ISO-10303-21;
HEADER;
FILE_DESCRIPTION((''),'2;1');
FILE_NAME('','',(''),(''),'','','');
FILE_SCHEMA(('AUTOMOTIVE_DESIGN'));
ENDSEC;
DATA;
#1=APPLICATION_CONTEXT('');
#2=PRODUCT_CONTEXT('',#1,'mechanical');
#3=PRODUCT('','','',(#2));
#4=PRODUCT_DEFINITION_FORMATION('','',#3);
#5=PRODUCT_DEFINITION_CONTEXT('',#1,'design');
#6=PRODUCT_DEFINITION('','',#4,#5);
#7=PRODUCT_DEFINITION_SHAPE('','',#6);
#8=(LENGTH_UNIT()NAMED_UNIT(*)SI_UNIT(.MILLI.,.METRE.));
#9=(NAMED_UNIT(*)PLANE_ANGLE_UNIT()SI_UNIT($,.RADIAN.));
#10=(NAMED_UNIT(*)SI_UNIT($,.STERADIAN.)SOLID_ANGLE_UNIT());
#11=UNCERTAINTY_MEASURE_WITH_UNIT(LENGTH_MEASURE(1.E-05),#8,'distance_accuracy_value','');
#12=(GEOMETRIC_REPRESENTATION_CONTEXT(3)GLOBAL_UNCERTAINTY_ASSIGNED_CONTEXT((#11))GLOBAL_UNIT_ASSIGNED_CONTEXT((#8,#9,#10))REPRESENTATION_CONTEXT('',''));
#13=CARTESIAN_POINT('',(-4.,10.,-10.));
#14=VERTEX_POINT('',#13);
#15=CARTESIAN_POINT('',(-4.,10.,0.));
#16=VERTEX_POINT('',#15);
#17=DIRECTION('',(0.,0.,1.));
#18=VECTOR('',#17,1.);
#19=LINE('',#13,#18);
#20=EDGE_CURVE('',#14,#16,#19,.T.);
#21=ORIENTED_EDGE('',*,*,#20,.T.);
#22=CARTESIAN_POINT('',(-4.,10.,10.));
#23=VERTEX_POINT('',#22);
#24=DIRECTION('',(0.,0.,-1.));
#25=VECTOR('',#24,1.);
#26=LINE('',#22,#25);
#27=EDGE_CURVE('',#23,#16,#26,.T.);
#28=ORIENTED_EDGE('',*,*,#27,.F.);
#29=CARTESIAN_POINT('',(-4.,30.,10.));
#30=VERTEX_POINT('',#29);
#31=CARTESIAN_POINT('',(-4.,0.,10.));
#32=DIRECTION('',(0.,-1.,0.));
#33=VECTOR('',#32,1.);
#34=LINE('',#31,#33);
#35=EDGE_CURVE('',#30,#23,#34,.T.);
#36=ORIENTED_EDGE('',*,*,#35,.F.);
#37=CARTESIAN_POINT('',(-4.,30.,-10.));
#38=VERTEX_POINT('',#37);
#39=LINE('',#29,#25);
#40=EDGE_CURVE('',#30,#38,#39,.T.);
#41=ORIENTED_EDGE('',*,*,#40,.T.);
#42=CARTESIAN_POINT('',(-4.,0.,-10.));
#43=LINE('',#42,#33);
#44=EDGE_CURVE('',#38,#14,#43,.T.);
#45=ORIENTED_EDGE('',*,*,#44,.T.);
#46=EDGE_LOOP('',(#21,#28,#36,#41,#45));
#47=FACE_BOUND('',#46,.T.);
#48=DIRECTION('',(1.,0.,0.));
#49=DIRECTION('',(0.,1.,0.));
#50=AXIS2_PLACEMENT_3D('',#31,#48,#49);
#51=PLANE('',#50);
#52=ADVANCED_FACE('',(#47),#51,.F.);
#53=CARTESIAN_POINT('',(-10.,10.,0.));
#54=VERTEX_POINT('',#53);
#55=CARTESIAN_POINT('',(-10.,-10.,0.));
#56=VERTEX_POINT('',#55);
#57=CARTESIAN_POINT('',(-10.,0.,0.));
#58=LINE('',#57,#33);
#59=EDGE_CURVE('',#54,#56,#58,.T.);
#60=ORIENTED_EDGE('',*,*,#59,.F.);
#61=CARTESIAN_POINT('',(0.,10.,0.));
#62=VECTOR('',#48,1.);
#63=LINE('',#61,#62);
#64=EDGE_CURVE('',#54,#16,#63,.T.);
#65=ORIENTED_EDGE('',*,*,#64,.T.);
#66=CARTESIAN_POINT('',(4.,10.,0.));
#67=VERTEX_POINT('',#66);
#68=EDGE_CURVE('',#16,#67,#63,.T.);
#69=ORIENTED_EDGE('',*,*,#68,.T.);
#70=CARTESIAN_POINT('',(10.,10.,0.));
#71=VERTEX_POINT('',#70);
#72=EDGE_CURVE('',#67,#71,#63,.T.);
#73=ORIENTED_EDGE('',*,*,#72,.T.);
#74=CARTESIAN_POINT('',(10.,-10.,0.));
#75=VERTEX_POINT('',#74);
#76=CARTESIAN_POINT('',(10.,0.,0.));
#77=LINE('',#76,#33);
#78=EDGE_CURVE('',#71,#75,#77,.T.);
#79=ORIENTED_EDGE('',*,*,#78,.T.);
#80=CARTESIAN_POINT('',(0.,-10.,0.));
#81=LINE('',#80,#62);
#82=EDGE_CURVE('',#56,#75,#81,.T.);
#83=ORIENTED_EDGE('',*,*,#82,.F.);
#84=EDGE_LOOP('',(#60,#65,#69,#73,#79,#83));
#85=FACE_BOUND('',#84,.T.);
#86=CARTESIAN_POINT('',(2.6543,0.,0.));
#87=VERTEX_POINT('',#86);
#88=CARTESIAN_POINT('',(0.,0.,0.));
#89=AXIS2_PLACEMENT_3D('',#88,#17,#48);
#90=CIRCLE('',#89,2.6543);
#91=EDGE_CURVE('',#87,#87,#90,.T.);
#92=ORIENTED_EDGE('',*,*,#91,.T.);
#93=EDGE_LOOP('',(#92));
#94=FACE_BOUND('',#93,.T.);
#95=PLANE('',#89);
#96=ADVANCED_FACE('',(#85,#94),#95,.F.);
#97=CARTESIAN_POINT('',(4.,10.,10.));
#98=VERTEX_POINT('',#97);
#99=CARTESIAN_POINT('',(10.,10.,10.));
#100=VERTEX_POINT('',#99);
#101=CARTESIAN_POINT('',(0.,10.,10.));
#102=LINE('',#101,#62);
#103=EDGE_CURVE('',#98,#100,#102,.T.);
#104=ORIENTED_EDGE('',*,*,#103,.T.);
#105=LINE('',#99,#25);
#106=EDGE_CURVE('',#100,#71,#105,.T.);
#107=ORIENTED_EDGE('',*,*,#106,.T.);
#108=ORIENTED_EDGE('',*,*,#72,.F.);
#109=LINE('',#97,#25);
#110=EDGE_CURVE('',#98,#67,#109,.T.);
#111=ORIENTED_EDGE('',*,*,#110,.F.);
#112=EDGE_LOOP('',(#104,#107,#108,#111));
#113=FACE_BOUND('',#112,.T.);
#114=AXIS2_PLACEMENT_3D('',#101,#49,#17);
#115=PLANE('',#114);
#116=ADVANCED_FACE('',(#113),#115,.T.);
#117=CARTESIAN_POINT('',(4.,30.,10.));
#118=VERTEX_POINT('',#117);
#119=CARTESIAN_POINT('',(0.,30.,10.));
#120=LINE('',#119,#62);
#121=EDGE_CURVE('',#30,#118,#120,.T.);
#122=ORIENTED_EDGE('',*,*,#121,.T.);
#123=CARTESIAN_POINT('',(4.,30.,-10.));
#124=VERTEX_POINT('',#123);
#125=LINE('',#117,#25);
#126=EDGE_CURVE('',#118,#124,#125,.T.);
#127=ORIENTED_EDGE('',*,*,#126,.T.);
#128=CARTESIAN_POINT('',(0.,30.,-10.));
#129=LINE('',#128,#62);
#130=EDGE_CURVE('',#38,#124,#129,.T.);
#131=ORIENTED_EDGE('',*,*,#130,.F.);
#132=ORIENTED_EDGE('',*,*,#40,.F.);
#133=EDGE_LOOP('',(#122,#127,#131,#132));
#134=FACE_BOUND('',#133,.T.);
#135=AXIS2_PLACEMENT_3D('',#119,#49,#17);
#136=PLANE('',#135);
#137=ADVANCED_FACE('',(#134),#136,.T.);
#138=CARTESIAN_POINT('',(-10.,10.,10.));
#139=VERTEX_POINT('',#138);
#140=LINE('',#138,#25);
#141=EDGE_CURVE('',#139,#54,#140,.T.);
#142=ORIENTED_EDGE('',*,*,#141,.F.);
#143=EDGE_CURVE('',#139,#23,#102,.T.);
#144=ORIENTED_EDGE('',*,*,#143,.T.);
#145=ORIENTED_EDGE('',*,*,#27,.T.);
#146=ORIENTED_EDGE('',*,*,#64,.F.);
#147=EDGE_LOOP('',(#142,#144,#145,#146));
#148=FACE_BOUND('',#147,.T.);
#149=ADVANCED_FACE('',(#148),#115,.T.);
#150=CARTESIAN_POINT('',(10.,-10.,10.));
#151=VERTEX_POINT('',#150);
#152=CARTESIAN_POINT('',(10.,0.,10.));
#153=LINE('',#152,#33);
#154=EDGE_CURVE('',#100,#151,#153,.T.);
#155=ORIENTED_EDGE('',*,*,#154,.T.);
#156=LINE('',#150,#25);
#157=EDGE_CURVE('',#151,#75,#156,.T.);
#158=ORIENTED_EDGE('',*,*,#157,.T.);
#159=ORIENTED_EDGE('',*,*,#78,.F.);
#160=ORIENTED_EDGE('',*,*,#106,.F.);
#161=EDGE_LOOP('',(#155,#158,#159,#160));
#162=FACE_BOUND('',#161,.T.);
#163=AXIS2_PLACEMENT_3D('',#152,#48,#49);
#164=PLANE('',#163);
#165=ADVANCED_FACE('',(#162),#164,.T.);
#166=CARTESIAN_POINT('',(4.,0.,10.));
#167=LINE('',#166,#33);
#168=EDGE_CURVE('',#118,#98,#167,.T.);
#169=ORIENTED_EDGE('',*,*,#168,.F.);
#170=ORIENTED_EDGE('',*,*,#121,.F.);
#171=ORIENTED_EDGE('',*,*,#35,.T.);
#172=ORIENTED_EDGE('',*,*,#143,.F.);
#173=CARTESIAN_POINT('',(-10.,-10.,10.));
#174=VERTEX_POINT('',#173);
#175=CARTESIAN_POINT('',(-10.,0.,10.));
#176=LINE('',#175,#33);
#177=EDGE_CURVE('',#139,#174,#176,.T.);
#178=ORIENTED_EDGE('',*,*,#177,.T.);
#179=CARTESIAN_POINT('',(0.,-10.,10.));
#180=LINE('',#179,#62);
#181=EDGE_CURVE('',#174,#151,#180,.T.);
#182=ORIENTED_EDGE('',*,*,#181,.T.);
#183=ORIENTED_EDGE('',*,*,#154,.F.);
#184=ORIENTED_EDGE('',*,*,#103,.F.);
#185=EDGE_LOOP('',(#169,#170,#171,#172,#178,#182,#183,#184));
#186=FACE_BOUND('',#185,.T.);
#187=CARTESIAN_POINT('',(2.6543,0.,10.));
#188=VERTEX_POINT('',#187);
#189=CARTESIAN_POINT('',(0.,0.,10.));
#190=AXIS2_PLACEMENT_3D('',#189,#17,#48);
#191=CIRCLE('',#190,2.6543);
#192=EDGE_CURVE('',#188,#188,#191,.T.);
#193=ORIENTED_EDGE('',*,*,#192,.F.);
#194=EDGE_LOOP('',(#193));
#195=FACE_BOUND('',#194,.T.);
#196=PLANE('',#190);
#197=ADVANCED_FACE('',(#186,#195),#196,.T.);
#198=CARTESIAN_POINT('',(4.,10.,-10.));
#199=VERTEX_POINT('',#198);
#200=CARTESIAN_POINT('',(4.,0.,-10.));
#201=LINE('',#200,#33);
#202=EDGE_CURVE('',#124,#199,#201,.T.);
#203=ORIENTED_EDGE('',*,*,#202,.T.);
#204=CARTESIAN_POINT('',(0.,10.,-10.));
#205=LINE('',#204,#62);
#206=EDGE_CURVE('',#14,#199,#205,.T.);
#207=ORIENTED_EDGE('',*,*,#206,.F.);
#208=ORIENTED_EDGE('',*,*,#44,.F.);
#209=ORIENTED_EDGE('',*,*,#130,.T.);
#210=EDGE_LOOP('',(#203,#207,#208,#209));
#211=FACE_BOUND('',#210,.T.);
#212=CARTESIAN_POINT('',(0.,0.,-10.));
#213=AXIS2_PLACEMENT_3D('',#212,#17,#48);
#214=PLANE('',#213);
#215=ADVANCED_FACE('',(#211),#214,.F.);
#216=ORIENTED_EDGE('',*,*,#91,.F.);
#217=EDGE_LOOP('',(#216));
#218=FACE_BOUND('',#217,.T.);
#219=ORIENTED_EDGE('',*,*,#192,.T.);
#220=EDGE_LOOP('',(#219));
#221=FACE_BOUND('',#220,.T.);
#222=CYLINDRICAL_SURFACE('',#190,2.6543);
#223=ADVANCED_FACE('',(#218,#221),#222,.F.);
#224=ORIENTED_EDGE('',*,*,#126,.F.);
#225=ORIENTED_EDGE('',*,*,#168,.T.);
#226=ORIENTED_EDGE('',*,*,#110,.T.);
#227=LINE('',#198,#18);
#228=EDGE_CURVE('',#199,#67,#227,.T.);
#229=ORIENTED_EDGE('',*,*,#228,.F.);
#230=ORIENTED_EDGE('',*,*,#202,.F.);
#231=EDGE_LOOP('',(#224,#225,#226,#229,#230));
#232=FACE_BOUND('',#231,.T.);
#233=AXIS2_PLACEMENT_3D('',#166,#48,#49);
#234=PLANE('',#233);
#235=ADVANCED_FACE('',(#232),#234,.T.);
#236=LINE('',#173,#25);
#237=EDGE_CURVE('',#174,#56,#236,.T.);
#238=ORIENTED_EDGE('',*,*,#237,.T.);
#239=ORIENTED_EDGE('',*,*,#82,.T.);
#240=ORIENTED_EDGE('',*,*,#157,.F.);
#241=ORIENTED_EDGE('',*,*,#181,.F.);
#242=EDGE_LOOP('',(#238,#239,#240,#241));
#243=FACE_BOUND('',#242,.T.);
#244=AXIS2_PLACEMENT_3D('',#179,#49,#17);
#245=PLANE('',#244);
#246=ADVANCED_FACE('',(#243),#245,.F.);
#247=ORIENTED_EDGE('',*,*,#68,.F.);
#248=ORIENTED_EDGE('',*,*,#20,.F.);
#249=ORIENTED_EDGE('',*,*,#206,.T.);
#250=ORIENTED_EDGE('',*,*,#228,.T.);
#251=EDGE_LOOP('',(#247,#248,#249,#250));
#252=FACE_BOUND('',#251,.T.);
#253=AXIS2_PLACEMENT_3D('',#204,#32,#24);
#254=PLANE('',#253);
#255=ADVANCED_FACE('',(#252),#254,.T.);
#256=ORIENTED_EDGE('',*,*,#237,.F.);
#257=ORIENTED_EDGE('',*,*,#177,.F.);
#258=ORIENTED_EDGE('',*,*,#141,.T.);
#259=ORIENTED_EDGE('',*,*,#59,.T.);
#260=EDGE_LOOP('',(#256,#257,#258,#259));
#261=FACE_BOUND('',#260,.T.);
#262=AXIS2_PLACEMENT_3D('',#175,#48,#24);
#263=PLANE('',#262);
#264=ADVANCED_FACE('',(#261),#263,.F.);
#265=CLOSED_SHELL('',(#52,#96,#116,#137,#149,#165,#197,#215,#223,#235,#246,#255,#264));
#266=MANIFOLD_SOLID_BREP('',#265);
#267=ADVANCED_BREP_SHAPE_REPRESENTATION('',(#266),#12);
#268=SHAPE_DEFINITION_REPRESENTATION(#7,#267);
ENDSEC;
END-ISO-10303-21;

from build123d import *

# Parameters (mm, degrees)
BOSS_EXTRUDE1_DEPTH        = 10
F_4_0_209_DIAMETER_HOLE1_D = 5.3086
SKETCH1_3_W                = 8
SKETCH1_3_H                = 20
BOSS_EXTRUDE2_DEPTH        = 10


with BuildPart() as part:
    # Sketch1 → Boss-Extrude1 (new body)
    with BuildSketch(Plane.XY):
        Polygon((-4, 10), (-10, 10), (-10, -10), (10, -10), (10, 10), (4, 10), (4, 30), (-4, 30), align=None)
    extrude(amount=BOSS_EXTRUDE1_DEPTH)

    # #4 (0.209) Diameter Hole1 (through all)
    with Locations(Plane.XY.offset(10)):
        with Locations((0, 0)):
            Hole(F_4_0_209_DIAMETER_HOLE1_D / 2)

    # Sketch1<3> → Boss-Extrude2 (add)
    with BuildSketch(Plane.XY):
        with Locations((0, 20)):
            Rectangle(SKETCH1_3_W, SKETCH1_3_H)
    extrude(amount=-BOSS_EXTRUDE2_DEPTH)


solid = part.part
